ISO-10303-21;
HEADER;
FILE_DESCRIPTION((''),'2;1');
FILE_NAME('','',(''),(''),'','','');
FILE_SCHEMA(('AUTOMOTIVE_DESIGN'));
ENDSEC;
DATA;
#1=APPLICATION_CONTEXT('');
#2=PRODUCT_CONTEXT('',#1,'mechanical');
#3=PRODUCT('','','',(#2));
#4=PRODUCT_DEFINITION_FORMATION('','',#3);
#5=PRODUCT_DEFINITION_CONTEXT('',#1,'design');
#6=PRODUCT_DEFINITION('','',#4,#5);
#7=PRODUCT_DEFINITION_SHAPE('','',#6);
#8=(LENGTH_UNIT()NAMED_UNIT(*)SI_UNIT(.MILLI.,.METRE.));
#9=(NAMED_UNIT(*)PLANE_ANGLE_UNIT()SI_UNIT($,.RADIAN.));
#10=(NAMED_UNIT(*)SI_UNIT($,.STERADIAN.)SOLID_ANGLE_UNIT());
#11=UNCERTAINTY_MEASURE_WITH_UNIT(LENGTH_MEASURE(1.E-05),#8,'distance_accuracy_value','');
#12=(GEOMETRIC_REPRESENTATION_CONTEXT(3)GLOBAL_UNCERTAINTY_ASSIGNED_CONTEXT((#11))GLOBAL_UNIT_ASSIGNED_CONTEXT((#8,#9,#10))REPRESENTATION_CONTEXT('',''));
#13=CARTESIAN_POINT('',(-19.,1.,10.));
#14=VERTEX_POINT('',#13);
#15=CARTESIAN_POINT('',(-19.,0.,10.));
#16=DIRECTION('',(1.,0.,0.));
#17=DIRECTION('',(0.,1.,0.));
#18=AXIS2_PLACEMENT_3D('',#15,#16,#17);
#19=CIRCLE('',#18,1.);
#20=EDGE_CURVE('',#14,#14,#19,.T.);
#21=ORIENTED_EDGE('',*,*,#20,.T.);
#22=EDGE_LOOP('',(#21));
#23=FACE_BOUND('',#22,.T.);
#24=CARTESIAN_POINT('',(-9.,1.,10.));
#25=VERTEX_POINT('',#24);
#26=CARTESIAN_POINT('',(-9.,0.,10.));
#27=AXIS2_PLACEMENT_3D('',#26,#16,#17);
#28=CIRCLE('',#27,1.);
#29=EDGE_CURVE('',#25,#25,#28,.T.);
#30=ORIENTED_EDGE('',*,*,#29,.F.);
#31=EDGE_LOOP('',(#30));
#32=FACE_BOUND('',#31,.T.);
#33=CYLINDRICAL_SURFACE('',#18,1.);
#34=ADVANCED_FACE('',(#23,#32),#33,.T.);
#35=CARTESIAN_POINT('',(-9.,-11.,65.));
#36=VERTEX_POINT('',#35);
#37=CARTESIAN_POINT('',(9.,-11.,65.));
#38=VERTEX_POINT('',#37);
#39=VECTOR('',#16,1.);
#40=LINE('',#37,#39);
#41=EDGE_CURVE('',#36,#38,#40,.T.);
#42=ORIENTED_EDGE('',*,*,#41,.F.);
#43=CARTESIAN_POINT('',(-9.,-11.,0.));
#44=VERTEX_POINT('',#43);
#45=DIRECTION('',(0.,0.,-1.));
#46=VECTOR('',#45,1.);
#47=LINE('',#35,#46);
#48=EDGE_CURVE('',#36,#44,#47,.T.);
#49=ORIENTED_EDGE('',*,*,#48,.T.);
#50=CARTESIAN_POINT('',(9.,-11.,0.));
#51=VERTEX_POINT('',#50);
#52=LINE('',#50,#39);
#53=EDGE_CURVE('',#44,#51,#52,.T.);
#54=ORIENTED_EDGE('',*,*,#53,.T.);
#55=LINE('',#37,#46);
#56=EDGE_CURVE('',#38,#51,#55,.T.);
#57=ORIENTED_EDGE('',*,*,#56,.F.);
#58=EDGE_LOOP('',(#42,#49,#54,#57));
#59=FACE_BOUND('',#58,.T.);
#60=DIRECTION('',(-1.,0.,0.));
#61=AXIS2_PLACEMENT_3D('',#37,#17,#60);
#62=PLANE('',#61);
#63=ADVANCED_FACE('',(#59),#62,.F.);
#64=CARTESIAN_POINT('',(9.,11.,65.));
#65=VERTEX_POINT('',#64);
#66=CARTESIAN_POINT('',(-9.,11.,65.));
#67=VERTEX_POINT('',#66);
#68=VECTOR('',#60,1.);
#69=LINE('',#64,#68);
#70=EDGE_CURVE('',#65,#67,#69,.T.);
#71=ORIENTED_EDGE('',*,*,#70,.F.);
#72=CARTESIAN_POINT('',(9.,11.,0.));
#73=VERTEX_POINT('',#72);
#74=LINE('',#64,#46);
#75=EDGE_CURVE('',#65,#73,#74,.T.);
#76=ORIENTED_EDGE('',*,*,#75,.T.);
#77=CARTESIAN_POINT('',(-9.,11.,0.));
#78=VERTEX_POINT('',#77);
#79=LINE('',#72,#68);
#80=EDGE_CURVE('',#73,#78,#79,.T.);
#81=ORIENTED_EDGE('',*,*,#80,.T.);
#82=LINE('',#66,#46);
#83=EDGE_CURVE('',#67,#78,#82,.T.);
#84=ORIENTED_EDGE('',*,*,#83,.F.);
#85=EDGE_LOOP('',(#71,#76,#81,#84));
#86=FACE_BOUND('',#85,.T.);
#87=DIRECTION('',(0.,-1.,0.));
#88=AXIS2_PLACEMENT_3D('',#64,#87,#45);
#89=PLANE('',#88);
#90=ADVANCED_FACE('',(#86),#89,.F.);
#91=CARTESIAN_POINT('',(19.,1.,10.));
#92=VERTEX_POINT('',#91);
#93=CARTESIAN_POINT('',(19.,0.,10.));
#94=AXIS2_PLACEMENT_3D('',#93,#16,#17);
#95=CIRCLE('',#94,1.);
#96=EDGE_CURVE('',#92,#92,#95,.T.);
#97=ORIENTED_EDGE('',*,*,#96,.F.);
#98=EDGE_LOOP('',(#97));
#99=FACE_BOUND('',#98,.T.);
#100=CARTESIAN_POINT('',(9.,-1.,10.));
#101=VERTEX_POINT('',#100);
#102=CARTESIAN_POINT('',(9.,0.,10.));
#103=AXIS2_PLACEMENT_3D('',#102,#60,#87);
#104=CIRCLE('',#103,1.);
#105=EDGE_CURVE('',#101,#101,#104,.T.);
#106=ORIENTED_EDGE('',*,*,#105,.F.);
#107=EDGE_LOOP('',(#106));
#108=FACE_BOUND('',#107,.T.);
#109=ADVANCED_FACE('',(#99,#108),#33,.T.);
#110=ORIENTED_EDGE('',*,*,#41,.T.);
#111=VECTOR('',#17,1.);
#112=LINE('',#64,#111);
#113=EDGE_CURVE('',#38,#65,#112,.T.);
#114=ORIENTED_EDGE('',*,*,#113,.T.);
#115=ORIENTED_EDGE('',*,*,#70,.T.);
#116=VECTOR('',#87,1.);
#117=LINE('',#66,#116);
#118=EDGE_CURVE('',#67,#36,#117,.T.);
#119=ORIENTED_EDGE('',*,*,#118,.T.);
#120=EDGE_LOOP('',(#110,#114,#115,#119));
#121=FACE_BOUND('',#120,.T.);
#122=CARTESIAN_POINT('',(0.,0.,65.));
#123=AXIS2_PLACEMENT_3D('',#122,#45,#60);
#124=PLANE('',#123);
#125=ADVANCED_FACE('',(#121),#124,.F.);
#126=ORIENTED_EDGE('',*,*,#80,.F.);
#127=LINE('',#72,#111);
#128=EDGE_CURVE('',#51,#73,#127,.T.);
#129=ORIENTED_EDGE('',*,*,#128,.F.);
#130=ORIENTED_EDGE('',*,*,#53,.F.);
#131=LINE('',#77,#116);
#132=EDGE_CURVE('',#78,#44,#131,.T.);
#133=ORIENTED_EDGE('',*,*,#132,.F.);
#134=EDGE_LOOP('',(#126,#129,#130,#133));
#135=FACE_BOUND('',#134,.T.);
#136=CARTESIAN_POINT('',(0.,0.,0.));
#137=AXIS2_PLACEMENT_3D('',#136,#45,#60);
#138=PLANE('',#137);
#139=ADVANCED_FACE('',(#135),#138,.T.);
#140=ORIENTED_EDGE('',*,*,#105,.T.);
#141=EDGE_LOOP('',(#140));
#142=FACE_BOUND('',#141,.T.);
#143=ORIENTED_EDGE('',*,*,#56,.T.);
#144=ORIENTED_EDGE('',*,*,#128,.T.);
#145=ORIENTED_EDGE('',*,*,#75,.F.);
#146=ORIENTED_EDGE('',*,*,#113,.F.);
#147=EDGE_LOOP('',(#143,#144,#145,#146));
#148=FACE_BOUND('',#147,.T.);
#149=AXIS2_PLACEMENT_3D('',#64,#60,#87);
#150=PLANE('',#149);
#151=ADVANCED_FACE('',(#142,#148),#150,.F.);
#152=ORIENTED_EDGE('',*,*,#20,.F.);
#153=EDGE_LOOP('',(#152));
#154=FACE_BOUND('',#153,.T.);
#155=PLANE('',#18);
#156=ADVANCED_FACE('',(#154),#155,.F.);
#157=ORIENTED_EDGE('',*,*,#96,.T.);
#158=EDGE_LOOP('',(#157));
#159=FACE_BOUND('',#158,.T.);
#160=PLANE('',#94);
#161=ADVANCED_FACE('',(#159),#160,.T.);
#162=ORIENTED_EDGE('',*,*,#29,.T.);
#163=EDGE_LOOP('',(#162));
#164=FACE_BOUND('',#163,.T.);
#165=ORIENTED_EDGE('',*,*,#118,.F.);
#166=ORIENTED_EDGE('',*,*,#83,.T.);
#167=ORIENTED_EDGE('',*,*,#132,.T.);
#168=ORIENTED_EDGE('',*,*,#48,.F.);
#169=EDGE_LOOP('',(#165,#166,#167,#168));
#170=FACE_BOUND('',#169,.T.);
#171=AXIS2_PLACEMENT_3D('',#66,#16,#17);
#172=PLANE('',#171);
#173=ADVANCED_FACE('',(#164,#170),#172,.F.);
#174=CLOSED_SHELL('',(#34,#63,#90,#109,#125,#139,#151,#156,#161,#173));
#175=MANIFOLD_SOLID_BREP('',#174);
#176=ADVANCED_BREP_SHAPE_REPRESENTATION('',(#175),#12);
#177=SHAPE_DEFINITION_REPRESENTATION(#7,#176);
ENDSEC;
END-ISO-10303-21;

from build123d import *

# Parameters (mm, degrees)
SKETCH_1_W           = 18
SKETCH_1_H           = 22
EXTRUDE_1_DEPTH      = 65
EXTRUDE_2_DEPTH      = 10
EXTRUDE_2_DEPTH_BACK = 28
SKETCH_2_R           = 1


with BuildPart() as part:
    # 草圖1 → 填料-伸長1 (new body)
    with BuildSketch(Plane.XY):
        Rectangle(SKETCH_1_W, SKETCH_1_H)
    extrude(amount=EXTRUDE_1_DEPTH)

    # 草圖2 → 填料-伸長2 (add, two sides: drawn at the far end of the back side and taken through both)
    with BuildSketch(Plane(origin=(9, 0, 0), x_dir=(0, 0, -1), z_dir=(1, 0, 0)).offset(-EXTRUDE_2_DEPTH_BACK)):
        with Locations(Location((-10, 0, 0), (0, 0, 90))):
            Circle(SKETCH_2_R)
    extrude(amount=EXTRUDE_2_DEPTH + EXTRUDE_2_DEPTH_BACK)


solid = part.part
